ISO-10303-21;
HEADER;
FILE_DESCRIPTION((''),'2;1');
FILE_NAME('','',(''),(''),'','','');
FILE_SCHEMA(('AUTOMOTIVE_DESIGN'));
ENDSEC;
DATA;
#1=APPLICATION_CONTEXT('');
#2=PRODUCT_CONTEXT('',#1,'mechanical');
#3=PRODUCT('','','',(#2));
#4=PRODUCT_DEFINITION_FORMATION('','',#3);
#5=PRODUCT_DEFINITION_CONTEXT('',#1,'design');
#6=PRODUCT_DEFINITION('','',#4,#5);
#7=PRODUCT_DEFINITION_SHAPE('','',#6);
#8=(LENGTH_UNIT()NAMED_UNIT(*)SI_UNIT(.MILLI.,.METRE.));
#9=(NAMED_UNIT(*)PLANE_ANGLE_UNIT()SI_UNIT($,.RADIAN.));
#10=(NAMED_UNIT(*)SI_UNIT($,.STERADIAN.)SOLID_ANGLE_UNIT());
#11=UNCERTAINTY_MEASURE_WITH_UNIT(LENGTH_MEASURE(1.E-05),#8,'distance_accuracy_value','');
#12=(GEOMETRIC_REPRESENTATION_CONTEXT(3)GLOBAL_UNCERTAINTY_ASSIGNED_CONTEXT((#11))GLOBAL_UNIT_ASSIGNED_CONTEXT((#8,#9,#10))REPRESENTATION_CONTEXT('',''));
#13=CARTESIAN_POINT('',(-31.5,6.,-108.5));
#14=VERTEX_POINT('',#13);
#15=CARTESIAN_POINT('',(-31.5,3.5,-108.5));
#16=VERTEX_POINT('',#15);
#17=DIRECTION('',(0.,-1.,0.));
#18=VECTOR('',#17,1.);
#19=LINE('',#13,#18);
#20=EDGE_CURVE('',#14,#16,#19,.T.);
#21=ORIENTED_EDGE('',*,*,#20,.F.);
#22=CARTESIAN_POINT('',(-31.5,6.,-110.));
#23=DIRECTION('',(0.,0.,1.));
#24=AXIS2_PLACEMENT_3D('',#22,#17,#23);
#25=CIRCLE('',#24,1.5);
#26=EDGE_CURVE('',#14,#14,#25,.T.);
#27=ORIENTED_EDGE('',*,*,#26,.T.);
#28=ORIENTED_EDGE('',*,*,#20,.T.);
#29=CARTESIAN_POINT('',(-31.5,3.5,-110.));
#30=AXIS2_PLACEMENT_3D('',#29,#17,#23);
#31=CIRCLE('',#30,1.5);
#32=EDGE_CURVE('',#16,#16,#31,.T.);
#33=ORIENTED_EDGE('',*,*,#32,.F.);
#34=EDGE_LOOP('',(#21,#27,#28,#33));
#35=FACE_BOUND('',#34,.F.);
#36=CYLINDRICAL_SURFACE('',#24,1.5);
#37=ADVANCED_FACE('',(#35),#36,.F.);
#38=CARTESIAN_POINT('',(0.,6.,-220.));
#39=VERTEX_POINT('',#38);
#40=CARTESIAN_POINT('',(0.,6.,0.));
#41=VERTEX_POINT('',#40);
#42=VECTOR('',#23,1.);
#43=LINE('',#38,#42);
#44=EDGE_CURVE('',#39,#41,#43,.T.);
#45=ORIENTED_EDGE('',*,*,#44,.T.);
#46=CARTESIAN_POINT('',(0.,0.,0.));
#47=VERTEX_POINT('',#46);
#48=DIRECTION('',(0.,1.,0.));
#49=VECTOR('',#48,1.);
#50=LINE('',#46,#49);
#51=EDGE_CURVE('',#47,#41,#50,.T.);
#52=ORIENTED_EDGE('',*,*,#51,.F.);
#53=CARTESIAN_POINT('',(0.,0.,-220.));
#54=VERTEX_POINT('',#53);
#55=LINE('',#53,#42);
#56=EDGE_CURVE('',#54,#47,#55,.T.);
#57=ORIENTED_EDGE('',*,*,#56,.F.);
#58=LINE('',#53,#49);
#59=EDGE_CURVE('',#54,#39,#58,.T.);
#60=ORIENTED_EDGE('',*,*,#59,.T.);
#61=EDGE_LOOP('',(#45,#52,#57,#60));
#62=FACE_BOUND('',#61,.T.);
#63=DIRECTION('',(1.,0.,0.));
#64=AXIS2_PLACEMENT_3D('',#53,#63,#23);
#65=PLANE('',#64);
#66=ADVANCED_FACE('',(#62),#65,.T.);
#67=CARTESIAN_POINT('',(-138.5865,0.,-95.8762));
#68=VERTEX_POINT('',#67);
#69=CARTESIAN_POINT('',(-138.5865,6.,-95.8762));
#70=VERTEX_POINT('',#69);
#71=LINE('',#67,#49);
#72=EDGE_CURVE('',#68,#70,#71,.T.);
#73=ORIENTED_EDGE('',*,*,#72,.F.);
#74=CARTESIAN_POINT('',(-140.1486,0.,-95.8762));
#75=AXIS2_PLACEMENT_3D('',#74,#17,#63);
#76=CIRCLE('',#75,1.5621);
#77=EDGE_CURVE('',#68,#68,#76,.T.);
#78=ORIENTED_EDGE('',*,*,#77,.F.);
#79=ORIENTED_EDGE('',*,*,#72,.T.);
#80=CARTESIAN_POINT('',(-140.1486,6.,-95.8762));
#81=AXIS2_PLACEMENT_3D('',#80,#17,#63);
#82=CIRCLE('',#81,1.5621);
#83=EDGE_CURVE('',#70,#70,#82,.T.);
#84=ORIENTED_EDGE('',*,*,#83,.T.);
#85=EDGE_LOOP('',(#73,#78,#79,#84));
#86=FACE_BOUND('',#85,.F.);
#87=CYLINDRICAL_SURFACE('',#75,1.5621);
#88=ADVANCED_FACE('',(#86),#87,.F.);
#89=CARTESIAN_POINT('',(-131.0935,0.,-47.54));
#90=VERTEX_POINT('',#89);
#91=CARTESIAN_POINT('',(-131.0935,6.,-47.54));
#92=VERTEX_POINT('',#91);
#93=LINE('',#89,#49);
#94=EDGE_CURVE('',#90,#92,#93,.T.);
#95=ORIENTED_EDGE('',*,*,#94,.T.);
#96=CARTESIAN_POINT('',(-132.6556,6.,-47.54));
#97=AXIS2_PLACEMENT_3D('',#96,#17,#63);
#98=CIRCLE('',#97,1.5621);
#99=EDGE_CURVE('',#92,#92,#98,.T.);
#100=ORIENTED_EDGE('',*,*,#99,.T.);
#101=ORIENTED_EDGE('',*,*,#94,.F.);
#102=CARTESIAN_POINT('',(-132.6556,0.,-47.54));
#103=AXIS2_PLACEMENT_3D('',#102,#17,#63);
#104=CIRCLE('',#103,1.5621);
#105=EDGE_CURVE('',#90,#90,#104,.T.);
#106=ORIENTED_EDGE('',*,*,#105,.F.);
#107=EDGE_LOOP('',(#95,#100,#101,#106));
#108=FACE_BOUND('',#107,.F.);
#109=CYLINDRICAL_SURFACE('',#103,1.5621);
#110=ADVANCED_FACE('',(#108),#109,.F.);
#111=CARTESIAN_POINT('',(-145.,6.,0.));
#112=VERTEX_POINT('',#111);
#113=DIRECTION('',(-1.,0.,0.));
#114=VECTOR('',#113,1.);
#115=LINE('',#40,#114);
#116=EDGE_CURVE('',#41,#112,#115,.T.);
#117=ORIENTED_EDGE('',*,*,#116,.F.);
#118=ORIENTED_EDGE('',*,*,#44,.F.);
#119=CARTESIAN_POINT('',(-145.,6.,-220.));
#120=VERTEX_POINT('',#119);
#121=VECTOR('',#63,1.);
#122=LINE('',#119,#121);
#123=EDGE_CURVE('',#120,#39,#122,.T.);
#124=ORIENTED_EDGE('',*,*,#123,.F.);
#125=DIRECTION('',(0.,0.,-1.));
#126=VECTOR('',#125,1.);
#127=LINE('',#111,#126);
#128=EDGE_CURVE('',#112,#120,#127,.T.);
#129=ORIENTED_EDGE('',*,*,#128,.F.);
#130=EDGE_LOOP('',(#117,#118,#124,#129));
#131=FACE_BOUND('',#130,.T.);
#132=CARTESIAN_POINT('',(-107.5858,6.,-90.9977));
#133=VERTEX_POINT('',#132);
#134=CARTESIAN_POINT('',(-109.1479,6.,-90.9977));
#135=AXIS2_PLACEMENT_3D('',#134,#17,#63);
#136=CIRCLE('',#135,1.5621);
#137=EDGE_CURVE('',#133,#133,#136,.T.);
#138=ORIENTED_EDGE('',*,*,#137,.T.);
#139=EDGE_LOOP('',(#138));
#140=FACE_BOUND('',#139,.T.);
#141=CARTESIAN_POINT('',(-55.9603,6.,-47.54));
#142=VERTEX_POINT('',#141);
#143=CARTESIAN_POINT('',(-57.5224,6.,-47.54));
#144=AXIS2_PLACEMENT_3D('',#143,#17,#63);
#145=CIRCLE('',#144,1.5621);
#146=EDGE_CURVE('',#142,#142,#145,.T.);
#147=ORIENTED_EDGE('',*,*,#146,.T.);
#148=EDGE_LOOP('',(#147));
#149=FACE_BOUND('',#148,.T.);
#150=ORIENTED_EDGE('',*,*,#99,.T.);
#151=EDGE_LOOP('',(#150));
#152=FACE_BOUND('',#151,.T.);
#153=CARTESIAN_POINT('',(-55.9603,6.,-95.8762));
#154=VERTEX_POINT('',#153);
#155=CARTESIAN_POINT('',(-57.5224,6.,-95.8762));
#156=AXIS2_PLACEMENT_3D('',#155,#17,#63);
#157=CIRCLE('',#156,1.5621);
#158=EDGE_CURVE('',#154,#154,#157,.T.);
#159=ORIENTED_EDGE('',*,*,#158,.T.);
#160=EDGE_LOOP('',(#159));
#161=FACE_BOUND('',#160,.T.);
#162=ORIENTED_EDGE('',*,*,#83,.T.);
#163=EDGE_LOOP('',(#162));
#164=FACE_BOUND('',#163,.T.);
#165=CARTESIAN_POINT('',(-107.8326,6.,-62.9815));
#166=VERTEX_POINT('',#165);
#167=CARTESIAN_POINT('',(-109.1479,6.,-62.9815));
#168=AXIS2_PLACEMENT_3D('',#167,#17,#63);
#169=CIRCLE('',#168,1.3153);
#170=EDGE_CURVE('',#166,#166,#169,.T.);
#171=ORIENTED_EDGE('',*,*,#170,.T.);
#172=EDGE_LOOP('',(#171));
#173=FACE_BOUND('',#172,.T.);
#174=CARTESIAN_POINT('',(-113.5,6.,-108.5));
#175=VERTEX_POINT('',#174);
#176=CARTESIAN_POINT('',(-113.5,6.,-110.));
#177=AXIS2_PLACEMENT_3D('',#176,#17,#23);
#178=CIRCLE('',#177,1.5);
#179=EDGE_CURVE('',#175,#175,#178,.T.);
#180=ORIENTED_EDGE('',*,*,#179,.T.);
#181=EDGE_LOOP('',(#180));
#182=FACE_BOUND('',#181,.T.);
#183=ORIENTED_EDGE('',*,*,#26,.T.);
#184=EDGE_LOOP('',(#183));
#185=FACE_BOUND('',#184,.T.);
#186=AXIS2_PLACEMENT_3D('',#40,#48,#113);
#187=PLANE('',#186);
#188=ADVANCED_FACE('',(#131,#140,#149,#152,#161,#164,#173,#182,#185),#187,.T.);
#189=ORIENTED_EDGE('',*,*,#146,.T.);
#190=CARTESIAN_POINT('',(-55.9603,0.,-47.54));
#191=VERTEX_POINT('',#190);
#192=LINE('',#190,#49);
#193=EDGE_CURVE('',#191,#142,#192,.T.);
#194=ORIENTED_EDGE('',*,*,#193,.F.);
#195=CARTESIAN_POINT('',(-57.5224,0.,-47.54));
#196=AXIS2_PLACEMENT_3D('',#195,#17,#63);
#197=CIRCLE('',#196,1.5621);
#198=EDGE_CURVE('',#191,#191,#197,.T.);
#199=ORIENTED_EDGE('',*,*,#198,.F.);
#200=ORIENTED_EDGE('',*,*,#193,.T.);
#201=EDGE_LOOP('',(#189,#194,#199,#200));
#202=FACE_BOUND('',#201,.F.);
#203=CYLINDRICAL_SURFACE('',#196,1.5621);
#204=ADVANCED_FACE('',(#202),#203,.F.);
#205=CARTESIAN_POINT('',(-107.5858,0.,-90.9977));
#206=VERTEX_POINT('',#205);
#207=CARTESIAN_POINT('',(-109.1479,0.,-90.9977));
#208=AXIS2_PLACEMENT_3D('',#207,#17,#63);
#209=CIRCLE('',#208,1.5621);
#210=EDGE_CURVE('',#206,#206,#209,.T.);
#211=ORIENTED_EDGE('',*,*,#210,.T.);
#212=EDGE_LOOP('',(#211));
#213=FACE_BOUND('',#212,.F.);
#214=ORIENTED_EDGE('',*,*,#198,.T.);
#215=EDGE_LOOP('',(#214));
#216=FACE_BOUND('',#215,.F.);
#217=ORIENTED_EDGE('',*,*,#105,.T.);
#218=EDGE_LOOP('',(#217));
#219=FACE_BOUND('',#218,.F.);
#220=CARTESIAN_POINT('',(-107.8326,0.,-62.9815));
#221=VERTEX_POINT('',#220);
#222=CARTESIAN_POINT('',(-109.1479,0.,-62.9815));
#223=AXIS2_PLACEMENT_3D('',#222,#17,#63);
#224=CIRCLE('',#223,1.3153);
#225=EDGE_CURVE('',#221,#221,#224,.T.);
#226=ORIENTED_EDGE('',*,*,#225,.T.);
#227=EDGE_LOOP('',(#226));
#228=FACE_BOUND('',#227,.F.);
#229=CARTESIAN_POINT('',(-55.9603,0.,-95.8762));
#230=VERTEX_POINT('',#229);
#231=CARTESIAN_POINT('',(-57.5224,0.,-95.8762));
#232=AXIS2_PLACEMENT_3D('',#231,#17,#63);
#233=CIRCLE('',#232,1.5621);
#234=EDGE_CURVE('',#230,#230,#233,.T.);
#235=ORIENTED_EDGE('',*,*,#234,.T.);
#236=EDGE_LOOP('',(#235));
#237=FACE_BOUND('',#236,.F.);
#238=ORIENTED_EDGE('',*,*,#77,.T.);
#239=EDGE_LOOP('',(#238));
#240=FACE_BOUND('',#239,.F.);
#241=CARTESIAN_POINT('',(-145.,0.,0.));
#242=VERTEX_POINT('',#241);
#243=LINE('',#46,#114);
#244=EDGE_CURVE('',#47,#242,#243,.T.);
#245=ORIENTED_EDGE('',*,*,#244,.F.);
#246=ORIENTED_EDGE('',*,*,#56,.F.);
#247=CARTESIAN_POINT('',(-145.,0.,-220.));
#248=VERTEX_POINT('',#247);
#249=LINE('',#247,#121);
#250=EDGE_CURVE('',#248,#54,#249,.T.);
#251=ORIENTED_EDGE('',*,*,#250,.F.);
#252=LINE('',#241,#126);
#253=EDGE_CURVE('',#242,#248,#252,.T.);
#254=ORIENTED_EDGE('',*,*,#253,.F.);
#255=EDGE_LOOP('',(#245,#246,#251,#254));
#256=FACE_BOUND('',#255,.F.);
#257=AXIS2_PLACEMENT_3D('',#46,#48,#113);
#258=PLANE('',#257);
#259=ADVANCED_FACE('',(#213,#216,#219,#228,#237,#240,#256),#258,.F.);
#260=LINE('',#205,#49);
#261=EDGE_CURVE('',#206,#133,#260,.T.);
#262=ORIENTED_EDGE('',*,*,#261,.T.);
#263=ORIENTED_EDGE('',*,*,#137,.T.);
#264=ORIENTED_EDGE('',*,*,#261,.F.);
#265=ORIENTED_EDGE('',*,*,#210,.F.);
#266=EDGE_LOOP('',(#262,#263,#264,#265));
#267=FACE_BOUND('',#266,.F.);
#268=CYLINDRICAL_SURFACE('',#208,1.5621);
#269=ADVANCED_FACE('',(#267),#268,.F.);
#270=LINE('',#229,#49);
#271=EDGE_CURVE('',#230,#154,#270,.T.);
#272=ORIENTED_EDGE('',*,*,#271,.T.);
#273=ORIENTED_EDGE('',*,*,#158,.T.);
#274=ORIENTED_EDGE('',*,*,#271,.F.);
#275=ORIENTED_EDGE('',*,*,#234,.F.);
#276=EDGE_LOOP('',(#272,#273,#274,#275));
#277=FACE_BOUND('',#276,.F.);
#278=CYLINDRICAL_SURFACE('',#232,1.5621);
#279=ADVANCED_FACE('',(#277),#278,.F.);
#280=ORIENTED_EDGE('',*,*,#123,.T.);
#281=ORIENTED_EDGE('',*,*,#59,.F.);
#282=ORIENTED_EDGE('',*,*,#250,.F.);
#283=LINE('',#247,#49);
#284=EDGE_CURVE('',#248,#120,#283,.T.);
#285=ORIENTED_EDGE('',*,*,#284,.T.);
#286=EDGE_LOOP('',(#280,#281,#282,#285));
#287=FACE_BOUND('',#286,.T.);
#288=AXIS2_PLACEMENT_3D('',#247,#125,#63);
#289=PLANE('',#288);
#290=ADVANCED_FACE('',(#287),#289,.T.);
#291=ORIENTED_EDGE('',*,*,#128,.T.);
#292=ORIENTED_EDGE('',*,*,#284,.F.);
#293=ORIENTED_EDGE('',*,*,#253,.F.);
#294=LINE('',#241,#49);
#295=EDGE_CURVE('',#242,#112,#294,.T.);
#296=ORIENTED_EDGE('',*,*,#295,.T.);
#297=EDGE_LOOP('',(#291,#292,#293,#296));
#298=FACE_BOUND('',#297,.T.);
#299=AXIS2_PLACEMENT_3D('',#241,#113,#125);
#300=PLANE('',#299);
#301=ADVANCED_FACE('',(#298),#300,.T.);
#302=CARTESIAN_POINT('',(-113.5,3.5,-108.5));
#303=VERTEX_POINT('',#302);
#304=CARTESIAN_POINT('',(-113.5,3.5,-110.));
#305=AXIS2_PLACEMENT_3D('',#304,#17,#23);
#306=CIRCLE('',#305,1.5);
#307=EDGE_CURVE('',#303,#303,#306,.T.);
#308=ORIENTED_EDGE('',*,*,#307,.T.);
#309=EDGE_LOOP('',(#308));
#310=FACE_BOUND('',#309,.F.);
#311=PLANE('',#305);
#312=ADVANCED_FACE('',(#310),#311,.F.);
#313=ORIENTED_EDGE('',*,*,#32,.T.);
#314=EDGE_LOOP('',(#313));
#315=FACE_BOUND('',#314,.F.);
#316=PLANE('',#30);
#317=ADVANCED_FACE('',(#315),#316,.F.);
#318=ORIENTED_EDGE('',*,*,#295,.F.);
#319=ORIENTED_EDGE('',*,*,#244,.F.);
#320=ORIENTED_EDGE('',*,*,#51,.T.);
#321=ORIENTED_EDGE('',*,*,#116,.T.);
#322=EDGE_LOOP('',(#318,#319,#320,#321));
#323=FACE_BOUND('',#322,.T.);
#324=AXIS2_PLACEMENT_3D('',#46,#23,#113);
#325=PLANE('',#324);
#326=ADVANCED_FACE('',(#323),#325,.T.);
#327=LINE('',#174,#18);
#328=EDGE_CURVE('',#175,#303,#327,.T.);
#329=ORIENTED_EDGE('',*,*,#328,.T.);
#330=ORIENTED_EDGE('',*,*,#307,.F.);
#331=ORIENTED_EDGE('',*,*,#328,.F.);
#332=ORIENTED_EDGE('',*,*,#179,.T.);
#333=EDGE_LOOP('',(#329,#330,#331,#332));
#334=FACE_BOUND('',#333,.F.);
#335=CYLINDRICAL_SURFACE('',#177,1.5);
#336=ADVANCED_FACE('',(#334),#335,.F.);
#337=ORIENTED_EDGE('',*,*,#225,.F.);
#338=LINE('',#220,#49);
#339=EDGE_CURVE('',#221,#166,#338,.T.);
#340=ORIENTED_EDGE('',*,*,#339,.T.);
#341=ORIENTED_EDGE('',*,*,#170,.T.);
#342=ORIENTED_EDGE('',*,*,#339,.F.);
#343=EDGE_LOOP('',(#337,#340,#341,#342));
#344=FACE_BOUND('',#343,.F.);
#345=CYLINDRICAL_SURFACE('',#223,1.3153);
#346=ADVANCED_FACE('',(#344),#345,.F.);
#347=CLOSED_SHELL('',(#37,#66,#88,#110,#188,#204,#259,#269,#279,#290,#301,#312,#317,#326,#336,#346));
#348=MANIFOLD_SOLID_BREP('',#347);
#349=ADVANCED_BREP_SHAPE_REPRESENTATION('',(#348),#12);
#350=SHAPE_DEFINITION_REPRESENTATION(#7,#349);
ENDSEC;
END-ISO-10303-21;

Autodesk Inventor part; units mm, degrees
ref_plane "YZ Plane" through (0, 0, 0) normal (1, 0, 0) x (0, 1, 0)
ref_plane "XZ Plane" through (0, 0, 0) normal (0, 1, 0) x (-1, 0, 0)
ref_plane "XY Plane" through (0, 0, 0) normal (0, 0, 1) x (1, 0, 0)
sketch "Sketch1" plane through (0, 0, 0) normal (0, 1, 0) x (-1, 0, 0)
  line L0 (0, 0) -> (145, 0)
  line L1 (145, 0) -> (145, -220)
  line L2 (145, -220) -> (0, -220)
  line L3 (0, -220) -> (0, 0)
  dimension "d0" = 145
  dimension "d1" = 220
extrude "Extrusion1" add sketch "Sketch1" along normal blind 6
sketch "Sketch2" plane through (0, 6, 0) normal (0, 1, 0) x (1, 0, 0)
  line L0 (-145, 220) -> (-145, 0) projected
  line L1 (0, 0) -> (0, 220) projected
  line L2 (0, 220) -> (-145, 220) projected
  point P0 (-113.5, 110)
  point P1 (-31.5, 110)
  dimension "d4" = 31.5
  dimension "d5" = 31.5
  dimension "d6" = 110
  dimension "d7" = 110
hole "Hole1" at (-113.5, 6, -110) at (-31.5, 6, -110) direction (0, -1, 0) diameter 3 depth 2.5
sketch "Sketch3" plane through (0, 0, 0) normal (0, -1, 0) x (1, 0, 0)
  line L0 (0, 0) -> (-145, 0)
  line L1 (-145, 0) -> (-145, -220)
  line L2 (-145, -220) -> (0, -220)
  line L3 (0, -220) -> (0, 0)
  circle A0 centre (-132.6556, -47.54) radius 1.5621
  circle A1 centre (-109.1479, -62.9815) radius 1.3153
  circle A2 centre (-109.1479, -90.9977) radius 1.5621
  circle A3 centre (-140.1486, -95.8762) radius 1.5621
  circle A4 centre (-57.5224, -95.8762) radius 1.5621
  circle A5 centre (-57.5224, -47.54) radius 1.5621
  circle A6 centre (-132.6556, -47.54) radius 1.5621
  circle A7 centre (-140.1486, -95.8762) radius 1.5621
  circle A8 centre (-109.1479, -90.9977) radius 1.5621
  circle A9 centre (-109.1479, -62.9815) radius 1.3153
  circle A10 centre (-57.5224, -47.54) radius 1.5621
  circle A11 centre (-57.5224, -95.8762) radius 1.5621
extrude "Extrusion2" cut sketch "Sketch3" against normal up to next contours A0 | A1 | A2 | A3 | A4 | A5
equation "\"d5\" = d4"
properties part number "base plate"
